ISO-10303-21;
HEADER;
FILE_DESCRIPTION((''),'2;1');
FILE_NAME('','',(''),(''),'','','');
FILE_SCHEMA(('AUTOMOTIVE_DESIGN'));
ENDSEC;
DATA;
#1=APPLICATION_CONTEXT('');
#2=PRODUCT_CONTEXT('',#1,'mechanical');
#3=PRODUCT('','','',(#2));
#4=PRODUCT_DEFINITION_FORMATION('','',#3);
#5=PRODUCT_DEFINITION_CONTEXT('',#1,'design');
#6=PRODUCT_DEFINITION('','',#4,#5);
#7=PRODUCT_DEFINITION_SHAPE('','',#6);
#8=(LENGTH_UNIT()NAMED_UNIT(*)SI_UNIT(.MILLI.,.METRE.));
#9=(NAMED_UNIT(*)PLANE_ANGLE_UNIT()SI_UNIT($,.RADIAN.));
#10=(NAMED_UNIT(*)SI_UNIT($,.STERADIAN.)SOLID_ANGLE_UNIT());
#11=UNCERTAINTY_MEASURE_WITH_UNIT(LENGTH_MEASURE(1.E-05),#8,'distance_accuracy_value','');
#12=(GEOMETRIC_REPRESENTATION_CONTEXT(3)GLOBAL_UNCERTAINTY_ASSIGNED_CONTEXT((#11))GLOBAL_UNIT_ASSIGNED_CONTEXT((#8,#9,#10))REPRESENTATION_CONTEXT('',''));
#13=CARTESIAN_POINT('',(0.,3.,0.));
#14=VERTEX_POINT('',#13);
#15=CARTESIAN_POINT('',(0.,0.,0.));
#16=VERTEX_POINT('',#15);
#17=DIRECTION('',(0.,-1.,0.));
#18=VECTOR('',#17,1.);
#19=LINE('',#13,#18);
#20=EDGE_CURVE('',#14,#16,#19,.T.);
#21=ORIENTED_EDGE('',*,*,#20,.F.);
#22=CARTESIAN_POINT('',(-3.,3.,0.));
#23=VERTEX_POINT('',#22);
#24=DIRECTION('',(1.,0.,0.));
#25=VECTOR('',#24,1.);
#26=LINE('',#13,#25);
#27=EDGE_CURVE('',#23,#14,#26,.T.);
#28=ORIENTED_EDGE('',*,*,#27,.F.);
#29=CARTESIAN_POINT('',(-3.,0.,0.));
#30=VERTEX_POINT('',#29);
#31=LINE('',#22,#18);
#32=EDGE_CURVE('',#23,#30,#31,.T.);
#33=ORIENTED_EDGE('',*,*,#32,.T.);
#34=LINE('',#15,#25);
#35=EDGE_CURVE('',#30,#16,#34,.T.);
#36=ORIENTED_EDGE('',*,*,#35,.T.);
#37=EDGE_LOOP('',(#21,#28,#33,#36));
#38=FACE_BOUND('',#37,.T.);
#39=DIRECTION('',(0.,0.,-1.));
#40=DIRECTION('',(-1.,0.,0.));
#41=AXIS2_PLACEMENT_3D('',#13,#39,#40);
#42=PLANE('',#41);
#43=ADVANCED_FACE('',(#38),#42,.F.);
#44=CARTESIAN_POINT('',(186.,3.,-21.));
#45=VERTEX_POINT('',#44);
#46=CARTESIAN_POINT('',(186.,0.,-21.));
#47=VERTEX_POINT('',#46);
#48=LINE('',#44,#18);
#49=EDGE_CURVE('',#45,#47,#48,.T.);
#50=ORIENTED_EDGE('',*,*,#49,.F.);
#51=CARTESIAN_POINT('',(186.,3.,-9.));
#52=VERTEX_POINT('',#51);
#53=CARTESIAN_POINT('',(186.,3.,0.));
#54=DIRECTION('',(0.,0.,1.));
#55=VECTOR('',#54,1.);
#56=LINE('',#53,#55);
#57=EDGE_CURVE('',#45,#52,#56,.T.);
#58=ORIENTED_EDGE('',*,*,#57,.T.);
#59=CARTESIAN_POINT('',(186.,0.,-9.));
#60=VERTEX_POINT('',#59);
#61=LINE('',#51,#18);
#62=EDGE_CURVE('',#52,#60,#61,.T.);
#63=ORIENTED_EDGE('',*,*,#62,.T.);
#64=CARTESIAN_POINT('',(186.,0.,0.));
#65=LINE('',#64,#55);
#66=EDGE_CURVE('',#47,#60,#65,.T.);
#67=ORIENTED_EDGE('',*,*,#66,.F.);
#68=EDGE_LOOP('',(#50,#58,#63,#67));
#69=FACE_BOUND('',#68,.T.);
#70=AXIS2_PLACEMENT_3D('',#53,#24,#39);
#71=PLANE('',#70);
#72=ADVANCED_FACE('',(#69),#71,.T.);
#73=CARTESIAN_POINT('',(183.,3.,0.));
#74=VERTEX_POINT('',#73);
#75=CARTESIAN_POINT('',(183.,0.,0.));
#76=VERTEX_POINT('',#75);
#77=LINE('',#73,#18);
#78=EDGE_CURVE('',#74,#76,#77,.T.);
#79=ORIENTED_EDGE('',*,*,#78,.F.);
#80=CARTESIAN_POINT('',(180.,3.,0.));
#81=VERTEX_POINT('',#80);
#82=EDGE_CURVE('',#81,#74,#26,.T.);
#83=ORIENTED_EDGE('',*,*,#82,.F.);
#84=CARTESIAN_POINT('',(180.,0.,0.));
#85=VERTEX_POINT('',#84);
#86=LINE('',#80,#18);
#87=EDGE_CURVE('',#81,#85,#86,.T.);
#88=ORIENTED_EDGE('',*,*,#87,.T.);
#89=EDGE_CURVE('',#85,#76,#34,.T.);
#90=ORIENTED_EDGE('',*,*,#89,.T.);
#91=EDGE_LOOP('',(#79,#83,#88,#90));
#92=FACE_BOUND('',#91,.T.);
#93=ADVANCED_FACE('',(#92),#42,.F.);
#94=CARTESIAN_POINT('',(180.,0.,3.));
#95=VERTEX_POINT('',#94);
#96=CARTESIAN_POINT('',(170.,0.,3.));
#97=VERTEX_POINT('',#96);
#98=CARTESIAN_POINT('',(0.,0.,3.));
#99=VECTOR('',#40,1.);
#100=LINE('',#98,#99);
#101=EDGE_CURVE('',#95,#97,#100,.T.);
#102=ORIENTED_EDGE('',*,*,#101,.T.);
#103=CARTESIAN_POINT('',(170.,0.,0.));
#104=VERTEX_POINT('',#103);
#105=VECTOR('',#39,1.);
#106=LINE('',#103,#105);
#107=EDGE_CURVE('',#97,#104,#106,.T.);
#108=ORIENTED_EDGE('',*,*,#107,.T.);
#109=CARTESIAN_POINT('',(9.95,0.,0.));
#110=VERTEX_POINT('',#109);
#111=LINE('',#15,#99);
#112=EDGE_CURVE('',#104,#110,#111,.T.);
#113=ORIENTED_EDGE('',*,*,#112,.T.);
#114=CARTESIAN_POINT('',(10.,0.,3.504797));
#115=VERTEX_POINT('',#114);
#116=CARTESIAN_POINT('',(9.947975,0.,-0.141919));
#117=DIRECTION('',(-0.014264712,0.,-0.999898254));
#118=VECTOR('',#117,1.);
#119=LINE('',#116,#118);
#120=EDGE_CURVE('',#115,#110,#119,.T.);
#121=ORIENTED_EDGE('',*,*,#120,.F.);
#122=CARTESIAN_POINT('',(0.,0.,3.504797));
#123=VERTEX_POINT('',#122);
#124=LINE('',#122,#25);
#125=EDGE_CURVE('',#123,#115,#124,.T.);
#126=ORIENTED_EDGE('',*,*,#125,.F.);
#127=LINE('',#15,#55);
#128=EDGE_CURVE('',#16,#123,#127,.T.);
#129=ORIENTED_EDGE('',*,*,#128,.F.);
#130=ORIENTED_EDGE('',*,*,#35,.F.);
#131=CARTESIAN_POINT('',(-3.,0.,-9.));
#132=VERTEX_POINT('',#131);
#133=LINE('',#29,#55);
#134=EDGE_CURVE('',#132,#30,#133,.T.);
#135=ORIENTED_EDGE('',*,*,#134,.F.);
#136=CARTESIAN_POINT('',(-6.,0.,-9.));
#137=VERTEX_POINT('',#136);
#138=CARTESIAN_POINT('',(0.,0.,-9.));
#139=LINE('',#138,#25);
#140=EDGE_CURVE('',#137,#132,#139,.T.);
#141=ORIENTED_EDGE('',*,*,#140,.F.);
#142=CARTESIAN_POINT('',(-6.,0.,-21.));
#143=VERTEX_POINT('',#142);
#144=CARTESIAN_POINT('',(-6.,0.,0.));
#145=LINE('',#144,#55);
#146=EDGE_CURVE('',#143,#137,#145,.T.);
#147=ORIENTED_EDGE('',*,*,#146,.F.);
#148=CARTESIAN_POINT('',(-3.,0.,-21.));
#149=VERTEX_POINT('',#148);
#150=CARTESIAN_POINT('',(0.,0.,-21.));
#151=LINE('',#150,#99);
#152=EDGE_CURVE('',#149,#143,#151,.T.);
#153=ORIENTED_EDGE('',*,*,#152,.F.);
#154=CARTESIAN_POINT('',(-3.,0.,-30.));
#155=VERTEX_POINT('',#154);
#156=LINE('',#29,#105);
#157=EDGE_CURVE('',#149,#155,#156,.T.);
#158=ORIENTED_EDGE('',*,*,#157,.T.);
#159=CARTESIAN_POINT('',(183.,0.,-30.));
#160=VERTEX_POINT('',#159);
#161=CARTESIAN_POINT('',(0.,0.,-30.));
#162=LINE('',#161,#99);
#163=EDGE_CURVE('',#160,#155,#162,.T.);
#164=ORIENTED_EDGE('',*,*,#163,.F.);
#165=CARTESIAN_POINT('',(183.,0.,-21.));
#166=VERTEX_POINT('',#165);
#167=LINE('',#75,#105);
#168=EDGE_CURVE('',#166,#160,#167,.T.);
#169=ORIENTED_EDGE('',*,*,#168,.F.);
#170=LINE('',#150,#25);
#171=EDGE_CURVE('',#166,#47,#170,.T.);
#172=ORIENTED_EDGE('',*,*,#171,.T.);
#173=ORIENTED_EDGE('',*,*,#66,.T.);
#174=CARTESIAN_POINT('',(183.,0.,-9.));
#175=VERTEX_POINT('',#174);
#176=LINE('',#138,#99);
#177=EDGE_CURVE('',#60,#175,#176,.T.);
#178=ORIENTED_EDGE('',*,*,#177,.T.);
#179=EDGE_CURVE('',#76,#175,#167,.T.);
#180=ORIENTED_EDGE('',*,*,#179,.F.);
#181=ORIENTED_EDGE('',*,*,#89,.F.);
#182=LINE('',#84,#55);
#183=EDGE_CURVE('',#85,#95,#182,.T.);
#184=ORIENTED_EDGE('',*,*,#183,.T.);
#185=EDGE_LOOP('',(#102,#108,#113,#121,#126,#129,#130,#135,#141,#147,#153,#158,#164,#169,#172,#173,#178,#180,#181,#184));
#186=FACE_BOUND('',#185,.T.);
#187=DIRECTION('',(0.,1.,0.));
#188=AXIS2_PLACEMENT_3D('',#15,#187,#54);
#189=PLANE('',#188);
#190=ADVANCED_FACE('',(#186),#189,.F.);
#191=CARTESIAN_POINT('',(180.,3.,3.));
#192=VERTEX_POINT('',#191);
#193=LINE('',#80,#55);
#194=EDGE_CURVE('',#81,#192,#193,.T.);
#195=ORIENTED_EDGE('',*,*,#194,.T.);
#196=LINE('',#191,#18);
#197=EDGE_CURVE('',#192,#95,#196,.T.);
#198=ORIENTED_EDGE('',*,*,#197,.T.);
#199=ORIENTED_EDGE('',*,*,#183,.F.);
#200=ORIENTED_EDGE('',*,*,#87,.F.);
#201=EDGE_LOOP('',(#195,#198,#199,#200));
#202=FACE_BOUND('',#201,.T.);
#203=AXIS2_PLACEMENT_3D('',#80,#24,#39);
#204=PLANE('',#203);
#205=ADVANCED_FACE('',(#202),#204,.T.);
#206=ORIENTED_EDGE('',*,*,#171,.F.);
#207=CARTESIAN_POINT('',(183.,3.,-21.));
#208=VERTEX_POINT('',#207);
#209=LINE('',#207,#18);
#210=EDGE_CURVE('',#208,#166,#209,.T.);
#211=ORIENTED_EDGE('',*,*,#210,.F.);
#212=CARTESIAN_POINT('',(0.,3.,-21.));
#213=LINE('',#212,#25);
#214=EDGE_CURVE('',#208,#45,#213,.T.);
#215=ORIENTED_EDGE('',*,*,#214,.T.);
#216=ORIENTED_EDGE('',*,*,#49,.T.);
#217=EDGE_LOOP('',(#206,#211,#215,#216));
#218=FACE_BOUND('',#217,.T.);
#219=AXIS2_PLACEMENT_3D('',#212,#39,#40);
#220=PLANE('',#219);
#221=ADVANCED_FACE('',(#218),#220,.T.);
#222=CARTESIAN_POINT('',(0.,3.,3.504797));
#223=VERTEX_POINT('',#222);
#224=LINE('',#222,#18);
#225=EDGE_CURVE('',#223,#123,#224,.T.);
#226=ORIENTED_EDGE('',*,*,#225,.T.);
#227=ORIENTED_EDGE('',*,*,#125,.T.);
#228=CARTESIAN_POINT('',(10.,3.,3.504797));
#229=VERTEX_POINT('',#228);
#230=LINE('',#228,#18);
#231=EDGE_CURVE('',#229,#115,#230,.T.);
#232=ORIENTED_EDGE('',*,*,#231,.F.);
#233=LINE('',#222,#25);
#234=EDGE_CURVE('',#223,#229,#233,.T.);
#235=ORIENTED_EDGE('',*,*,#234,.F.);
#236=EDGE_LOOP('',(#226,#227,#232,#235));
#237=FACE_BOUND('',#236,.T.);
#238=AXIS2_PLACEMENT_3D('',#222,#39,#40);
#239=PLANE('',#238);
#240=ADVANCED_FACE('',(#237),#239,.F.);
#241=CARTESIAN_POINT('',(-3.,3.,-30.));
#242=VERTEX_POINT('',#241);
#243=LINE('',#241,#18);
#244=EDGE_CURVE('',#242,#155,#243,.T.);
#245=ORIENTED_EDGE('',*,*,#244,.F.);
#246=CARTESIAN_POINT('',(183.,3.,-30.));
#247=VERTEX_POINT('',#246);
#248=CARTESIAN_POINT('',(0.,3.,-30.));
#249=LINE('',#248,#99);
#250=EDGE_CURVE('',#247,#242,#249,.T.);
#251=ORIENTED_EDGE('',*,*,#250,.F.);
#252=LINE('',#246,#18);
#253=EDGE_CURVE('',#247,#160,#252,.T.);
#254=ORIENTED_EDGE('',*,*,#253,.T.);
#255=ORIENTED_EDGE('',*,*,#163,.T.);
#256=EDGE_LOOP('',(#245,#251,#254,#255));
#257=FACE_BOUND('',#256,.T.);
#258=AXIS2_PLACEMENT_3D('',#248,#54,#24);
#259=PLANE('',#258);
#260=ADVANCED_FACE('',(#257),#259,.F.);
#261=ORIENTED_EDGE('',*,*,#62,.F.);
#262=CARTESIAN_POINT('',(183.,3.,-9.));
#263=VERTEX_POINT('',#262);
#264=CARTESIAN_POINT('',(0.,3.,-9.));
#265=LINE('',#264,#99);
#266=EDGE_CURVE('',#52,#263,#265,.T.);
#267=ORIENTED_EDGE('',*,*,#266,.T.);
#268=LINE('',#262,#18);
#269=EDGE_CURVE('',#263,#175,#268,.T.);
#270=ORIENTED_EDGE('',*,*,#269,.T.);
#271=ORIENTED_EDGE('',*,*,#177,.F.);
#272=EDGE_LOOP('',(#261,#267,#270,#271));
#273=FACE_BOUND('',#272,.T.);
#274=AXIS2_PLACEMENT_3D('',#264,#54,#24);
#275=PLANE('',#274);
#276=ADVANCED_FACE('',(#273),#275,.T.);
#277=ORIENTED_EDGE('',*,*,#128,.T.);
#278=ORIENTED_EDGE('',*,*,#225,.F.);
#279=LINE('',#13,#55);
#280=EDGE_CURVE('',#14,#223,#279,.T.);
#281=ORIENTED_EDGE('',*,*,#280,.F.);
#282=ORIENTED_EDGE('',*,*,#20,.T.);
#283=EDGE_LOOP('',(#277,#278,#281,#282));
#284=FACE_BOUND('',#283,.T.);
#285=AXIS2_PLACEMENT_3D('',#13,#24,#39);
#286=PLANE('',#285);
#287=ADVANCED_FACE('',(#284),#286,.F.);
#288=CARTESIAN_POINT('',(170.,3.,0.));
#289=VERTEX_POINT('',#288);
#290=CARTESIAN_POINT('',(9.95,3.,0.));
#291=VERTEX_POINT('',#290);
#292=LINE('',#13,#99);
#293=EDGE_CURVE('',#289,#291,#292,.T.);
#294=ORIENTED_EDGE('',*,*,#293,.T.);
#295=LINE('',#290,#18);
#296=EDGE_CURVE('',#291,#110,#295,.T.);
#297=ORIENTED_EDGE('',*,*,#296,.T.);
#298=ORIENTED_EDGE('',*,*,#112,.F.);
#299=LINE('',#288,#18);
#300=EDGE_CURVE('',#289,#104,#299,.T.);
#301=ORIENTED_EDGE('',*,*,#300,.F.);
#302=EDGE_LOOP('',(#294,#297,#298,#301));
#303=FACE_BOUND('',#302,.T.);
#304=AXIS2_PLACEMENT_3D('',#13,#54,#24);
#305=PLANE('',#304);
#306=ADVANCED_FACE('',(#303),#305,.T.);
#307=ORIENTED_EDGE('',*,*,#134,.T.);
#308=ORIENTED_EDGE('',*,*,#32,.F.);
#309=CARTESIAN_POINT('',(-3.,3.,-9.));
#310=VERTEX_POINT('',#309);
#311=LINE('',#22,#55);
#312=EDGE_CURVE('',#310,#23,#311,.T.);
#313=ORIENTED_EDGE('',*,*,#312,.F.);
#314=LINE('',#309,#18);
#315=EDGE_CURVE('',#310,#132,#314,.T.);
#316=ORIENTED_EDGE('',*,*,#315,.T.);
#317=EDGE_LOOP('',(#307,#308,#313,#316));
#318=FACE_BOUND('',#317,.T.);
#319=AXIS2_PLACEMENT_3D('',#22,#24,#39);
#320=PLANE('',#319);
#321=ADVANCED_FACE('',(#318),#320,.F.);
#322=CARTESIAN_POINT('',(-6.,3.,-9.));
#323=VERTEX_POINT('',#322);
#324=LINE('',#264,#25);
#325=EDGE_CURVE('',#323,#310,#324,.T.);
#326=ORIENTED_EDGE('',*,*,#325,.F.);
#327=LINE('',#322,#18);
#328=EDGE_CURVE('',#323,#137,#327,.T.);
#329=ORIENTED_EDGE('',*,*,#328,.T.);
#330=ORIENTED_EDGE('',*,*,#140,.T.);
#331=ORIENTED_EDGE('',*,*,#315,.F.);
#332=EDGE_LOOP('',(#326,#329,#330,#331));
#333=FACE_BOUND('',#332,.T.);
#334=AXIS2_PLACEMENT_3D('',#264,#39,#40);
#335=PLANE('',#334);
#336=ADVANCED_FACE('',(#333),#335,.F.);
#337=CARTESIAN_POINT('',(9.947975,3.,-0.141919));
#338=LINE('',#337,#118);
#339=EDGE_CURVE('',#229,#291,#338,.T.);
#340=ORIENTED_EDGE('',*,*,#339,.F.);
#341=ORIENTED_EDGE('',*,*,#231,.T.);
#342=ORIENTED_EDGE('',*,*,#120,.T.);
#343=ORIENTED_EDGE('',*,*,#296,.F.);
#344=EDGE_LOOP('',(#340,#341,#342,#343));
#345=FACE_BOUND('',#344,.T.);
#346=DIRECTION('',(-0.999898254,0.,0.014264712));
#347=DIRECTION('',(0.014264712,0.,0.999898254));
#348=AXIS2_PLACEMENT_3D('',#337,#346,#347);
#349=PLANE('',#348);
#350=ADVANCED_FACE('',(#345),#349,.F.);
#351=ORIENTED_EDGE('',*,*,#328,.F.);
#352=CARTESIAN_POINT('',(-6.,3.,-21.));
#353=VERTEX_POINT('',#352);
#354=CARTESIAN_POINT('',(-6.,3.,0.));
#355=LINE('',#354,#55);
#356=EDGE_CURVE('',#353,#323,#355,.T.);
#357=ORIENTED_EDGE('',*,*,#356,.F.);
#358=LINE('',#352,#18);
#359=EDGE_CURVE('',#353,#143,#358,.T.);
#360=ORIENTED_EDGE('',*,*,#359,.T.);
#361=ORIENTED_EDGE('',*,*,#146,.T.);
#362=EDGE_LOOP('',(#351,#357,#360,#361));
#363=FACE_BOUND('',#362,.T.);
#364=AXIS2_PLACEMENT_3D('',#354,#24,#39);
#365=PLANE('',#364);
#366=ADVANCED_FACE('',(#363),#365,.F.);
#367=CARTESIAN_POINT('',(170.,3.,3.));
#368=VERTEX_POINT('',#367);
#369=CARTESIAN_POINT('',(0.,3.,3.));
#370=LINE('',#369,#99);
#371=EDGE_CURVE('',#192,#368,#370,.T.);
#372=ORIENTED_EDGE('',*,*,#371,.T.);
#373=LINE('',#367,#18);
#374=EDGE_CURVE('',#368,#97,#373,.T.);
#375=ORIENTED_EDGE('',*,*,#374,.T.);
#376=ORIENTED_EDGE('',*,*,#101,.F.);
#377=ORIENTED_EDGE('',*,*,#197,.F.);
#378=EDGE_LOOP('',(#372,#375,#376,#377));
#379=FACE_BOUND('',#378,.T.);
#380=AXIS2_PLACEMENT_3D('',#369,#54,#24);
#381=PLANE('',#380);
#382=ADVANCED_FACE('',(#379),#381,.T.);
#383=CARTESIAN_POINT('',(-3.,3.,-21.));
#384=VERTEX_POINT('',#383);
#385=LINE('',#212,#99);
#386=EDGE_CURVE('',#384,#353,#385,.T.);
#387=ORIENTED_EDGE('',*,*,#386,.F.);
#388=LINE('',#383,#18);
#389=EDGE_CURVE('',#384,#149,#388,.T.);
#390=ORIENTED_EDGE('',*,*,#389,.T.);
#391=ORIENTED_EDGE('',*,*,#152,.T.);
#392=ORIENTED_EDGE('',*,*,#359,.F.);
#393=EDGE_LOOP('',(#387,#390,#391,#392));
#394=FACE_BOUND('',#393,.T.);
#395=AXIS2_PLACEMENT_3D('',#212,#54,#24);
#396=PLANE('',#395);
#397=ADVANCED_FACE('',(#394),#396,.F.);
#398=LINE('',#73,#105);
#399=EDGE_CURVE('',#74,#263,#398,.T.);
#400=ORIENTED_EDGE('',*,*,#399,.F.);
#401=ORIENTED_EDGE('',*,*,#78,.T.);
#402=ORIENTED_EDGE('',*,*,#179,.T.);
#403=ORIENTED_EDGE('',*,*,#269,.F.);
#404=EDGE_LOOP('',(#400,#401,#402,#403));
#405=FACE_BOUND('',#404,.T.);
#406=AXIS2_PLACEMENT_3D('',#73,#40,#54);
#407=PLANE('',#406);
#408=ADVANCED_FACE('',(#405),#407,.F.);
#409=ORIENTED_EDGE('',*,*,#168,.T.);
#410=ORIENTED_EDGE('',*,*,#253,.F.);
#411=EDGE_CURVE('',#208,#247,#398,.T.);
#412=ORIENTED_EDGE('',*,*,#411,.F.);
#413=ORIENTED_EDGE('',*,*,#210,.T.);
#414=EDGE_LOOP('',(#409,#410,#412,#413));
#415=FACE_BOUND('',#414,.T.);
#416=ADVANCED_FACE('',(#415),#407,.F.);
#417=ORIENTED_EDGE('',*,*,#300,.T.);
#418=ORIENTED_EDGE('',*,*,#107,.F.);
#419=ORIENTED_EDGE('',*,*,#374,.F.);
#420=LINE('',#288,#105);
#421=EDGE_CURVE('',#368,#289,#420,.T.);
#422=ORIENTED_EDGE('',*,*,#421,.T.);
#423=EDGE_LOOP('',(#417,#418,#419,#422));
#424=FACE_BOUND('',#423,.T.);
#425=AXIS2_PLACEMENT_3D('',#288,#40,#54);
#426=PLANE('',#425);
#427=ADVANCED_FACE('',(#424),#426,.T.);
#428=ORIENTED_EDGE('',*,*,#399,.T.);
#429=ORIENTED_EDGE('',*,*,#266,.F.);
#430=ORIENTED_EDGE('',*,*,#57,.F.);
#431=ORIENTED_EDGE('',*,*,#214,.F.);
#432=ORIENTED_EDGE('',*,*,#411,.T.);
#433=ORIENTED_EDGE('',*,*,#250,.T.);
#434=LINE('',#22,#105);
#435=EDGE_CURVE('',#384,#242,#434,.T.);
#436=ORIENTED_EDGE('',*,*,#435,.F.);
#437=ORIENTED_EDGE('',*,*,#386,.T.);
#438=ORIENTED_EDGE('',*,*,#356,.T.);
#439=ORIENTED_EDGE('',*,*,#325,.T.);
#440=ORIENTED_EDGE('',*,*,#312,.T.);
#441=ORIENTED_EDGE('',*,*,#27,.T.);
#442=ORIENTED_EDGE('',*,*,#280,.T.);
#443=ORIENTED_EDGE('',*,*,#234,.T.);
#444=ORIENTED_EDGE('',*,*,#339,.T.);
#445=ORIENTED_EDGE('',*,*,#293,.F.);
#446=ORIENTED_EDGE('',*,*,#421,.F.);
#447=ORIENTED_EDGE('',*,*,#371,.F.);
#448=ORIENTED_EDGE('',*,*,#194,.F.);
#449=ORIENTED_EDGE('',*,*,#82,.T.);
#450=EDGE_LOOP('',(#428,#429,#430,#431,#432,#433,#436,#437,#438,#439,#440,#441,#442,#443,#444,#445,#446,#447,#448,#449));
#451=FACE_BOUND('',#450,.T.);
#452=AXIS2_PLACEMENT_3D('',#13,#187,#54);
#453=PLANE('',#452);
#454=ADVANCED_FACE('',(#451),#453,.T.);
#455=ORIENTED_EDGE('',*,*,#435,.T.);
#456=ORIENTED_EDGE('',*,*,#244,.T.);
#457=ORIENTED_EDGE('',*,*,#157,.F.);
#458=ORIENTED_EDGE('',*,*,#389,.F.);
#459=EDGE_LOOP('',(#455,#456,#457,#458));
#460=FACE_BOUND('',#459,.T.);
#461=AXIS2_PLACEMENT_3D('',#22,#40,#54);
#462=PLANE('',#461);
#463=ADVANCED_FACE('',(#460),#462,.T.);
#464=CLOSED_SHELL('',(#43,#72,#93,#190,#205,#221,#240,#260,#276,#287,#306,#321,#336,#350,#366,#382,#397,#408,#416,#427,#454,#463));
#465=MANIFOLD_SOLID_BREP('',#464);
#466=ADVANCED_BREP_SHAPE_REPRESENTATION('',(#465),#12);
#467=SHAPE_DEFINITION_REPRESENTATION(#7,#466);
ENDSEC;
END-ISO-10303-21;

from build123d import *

# Parameters (mm, degrees)
EXTRUDE_1_DEPTH = 3


with BuildPart() as part:
    # 草图4 → 凸台-拉伸1 (new body)
    with BuildSketch(Plane(origin=(0, 0, 0), x_dir=(1, 0, 0), z_dir=(0, 1, 0))):
        Polygon((180, 30), (0, 30), (-3, 30), (-3, 21), (-6, 21), (-6, 9), (-3, 9), (-3, 0), (0, 0), (0, -3.504796537), (10, -3.504796537), (9.95, 0), (10, 0), (170, 0), (170, -3), (180, -3), (180, 0), (183, 0), (183, 9), (186, 9), (186, 21), (183, 21), (183, 30), align=None)
    extrude(amount=EXTRUDE_1_DEPTH)


solid = part.part
